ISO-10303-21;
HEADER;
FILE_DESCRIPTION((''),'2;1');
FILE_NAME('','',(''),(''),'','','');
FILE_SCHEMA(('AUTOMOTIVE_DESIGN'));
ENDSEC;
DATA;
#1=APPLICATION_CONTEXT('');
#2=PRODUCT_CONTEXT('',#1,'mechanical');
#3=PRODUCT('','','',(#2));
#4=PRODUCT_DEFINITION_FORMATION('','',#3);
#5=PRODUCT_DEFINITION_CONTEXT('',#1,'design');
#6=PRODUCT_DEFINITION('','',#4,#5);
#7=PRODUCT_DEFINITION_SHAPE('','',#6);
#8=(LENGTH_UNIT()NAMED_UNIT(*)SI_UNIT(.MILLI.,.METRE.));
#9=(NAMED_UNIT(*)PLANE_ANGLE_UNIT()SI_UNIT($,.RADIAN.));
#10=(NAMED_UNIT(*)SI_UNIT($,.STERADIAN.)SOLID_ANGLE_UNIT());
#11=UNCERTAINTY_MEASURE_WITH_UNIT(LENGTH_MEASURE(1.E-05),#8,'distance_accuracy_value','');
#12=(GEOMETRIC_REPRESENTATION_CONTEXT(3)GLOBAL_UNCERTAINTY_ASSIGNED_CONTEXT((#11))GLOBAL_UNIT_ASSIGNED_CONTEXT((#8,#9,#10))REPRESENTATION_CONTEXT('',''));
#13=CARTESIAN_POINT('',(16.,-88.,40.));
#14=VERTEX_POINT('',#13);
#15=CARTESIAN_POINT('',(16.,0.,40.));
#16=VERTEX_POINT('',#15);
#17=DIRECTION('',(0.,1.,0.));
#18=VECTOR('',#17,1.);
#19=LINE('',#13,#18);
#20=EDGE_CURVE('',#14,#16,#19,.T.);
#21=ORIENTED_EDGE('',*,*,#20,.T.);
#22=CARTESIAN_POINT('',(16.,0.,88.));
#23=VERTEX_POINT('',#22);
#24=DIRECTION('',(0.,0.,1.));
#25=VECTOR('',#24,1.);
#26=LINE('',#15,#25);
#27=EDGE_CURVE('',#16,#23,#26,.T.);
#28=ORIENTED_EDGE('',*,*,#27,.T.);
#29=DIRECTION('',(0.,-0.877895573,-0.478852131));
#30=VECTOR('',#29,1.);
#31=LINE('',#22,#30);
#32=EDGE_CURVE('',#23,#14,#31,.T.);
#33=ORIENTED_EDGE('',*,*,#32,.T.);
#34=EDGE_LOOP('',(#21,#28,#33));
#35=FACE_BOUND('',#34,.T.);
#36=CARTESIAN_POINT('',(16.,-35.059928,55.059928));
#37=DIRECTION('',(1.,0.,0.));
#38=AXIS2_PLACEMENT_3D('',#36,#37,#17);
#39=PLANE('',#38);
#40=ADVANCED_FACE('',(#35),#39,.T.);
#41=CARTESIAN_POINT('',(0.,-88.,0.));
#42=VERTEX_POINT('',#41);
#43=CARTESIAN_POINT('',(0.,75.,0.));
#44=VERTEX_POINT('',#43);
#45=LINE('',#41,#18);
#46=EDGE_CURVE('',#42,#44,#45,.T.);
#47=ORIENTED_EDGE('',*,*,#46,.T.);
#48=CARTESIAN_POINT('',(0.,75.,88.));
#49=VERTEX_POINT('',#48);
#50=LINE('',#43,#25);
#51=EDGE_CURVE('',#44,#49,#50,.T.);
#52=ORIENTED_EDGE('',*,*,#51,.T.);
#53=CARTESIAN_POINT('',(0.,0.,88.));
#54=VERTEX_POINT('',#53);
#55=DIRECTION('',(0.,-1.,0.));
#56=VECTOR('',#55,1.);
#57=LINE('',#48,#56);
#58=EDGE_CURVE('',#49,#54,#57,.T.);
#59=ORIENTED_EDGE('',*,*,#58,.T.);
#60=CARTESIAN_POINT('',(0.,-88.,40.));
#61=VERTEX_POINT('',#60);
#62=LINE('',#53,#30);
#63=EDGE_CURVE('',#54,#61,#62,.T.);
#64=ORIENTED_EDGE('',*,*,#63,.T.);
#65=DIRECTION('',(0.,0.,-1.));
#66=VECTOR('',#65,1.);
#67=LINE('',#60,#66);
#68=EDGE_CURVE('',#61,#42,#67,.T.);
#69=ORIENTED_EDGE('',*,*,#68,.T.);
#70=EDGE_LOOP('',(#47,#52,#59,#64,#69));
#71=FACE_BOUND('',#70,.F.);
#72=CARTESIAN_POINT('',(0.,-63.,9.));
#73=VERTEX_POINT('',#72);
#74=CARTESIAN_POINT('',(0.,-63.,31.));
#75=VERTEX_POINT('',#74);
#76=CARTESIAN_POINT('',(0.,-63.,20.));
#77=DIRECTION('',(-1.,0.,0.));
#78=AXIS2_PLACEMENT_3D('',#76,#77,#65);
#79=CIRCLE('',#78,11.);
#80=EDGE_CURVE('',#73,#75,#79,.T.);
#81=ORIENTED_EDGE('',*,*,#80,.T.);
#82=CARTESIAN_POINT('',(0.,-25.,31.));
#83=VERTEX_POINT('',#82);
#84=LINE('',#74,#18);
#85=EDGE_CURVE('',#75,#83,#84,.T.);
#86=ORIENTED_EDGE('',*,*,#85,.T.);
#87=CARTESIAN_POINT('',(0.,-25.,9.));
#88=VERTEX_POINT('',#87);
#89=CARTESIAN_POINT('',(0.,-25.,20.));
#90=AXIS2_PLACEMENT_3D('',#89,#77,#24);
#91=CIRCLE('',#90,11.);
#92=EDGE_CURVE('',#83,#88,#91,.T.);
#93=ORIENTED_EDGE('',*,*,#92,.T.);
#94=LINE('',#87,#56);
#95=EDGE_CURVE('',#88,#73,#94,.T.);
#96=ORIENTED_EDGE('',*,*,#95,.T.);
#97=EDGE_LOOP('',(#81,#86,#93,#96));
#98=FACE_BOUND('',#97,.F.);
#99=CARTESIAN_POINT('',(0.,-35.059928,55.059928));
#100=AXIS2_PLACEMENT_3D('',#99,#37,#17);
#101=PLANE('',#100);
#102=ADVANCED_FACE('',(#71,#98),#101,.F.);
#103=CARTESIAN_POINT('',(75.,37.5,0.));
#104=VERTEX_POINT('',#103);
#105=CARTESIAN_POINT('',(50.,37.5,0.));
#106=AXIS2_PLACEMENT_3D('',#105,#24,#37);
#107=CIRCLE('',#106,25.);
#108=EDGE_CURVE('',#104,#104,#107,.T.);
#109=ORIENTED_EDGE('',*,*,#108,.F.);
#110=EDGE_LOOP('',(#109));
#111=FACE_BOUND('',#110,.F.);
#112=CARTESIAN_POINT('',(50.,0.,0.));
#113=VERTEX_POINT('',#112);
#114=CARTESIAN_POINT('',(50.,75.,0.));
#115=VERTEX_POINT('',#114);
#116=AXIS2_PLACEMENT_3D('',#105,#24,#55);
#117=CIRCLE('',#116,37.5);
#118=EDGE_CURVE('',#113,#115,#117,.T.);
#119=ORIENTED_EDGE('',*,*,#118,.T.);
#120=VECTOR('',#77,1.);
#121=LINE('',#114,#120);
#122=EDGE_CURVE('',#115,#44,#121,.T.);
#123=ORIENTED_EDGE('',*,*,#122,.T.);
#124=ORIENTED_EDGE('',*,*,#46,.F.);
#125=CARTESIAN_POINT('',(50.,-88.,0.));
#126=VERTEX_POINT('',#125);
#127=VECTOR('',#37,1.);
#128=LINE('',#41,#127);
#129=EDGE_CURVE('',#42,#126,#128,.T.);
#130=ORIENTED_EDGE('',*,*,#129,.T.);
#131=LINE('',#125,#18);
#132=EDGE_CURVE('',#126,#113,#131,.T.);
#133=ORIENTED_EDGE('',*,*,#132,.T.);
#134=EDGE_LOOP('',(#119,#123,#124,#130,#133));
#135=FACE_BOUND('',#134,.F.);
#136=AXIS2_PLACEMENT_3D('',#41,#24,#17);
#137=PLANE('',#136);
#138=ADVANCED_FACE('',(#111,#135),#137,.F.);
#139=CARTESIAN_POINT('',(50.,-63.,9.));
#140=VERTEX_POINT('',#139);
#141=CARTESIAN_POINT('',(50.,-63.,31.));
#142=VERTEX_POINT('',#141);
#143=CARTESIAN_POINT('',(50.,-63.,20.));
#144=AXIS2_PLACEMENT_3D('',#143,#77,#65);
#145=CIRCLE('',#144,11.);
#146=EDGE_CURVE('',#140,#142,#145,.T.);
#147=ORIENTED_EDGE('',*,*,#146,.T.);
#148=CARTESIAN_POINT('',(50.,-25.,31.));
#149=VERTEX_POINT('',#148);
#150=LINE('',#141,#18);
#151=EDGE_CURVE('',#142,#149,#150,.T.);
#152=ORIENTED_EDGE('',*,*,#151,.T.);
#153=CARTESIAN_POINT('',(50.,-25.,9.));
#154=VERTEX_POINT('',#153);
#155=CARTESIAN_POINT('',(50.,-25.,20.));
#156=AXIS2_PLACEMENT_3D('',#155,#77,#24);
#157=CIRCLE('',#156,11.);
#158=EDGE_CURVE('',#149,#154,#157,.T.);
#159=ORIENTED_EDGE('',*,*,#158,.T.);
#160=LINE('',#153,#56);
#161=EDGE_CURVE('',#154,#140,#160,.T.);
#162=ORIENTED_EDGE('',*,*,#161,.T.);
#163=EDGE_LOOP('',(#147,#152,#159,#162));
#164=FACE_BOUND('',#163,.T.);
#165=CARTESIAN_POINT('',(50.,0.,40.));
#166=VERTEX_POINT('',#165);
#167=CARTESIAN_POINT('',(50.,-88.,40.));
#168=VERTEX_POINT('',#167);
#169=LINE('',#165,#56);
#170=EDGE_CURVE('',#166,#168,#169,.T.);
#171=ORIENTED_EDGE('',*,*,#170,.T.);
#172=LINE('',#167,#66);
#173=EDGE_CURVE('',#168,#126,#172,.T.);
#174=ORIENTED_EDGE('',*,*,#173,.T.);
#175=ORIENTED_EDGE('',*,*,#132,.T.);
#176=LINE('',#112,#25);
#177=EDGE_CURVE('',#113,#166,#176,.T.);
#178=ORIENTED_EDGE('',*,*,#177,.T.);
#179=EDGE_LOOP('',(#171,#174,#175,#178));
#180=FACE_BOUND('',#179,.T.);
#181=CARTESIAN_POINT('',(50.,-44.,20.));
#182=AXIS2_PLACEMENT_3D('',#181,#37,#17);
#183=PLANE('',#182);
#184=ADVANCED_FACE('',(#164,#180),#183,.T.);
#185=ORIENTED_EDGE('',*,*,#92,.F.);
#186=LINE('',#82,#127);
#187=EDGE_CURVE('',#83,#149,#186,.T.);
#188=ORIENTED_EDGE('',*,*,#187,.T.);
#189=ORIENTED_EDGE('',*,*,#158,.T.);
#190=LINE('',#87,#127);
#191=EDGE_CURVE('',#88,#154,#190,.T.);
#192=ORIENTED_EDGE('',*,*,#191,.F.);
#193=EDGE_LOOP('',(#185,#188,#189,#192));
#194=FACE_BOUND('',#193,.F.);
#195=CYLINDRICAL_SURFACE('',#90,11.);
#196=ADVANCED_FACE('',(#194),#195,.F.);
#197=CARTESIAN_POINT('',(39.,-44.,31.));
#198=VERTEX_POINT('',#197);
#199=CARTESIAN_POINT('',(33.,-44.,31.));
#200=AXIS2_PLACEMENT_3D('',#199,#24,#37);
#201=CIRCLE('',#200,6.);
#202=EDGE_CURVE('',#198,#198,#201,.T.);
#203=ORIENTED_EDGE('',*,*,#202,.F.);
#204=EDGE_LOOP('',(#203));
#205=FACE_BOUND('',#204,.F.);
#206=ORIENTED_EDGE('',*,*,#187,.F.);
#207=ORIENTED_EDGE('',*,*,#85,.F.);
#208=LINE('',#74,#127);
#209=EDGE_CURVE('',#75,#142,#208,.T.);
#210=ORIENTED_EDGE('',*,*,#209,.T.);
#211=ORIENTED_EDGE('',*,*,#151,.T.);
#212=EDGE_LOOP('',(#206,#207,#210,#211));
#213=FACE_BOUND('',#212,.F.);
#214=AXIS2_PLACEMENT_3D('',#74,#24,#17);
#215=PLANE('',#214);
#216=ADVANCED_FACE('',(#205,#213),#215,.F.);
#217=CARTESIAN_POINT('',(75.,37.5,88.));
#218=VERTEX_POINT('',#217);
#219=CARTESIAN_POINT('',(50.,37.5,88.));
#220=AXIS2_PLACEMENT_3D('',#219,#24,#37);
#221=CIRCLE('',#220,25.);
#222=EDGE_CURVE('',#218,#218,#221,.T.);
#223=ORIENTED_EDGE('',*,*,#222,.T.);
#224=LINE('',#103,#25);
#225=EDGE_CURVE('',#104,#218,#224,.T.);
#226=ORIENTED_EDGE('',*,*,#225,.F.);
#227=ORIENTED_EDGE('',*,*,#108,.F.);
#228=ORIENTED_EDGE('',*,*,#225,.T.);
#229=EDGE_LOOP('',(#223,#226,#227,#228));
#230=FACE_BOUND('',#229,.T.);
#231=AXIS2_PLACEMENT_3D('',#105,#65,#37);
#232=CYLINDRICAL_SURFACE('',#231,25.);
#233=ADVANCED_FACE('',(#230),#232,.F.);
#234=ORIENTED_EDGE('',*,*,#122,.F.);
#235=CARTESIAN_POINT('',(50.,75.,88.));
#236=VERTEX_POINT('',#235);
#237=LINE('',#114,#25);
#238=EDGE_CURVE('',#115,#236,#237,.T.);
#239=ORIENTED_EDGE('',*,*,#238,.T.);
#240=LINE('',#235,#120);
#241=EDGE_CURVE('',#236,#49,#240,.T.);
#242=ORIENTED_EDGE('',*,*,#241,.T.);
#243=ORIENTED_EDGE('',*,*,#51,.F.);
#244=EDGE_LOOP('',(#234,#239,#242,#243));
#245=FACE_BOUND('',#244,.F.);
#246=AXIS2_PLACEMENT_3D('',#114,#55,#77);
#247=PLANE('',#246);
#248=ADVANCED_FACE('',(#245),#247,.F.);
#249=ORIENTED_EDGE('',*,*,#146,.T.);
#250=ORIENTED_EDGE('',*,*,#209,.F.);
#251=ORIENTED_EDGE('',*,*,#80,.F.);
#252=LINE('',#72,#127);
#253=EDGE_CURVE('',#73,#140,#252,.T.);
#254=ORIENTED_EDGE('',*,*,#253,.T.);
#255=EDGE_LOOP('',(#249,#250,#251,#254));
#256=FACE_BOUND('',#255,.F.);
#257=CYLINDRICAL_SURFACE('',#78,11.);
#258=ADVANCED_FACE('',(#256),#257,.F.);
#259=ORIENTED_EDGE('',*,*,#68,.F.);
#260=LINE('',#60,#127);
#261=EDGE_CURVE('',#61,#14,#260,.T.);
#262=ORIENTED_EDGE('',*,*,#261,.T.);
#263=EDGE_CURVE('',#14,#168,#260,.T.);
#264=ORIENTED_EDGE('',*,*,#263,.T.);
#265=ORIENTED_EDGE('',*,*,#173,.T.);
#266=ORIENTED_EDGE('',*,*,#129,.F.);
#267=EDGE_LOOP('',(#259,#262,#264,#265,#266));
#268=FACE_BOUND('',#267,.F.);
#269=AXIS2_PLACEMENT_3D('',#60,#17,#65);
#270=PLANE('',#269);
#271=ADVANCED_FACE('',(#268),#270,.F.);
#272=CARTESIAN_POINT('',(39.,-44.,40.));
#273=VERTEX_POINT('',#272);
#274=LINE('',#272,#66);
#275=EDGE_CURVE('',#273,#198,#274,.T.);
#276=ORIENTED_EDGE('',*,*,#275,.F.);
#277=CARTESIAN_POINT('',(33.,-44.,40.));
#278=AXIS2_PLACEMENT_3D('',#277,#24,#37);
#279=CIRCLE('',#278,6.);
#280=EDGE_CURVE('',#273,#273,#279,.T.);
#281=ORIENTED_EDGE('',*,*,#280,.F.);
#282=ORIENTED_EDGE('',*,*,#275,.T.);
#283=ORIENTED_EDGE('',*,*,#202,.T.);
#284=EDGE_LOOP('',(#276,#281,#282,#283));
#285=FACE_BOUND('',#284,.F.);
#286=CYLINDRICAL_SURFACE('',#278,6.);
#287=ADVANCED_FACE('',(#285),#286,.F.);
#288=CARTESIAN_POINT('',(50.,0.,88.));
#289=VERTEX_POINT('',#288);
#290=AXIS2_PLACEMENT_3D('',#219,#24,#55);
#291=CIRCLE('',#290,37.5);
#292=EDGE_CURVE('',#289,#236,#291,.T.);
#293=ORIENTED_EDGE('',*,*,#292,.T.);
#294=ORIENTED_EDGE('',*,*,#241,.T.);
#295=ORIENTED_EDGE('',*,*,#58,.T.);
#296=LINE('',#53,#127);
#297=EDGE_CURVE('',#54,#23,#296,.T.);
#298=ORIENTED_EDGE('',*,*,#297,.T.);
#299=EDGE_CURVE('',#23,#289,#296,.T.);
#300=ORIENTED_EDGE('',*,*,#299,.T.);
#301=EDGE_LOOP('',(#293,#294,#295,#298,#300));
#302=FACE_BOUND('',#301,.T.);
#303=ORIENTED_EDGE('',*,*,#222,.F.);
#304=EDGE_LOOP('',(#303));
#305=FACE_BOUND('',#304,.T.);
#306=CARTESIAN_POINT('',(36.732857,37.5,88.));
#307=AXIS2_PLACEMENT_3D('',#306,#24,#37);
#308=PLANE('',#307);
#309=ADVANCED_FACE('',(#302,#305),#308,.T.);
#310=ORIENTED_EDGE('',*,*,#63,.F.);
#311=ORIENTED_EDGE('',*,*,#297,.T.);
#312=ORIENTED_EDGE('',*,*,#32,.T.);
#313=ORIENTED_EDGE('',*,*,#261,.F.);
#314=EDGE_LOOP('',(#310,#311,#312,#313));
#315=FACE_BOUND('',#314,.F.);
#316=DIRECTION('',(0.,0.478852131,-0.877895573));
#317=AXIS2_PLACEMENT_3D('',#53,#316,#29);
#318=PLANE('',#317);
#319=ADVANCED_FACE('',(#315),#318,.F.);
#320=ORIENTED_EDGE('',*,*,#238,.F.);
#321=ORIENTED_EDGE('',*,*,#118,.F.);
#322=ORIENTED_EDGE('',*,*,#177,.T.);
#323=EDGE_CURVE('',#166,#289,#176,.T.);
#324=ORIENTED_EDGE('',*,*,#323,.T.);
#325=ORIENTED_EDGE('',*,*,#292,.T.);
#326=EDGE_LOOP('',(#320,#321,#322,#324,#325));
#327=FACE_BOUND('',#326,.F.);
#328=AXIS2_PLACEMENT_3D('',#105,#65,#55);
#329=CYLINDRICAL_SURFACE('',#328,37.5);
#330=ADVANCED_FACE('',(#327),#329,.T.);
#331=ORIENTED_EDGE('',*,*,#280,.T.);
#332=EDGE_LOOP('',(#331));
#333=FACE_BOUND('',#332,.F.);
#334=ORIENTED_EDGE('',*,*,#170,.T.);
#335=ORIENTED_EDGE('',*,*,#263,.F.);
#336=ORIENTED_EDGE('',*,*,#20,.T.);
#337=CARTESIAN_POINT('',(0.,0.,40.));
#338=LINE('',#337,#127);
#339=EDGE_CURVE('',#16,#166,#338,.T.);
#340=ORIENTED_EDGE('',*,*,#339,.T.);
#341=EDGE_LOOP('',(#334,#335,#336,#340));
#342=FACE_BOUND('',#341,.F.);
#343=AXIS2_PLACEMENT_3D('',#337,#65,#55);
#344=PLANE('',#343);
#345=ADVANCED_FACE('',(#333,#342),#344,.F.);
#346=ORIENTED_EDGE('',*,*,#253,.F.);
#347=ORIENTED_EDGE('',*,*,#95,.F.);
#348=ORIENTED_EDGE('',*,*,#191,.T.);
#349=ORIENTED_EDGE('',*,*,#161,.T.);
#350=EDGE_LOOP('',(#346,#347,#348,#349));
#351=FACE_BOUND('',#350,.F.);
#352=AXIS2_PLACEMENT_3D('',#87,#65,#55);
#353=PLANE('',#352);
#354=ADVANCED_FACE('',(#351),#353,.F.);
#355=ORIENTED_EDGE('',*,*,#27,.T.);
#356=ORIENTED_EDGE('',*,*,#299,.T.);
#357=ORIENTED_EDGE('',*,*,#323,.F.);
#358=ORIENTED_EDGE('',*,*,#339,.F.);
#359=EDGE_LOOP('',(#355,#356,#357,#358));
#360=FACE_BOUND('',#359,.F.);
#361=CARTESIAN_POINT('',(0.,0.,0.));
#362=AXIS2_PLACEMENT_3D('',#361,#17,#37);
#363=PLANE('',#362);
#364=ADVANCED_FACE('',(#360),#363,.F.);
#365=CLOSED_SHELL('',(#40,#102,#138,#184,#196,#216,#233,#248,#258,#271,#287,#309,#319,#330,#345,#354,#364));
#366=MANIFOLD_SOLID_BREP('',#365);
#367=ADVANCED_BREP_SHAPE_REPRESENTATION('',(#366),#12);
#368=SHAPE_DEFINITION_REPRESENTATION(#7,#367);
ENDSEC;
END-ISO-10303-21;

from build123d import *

# Parameters (mm, degrees)
F0_R     = 25
F1_DEPTH = 88
F3_DEPTH = 50
F5_DEPTH = 16
F7_R     = 6
F8_DEPTH = 9


with BuildPart() as f1:
    # F0 (on Top) → F1 (new body)
    with BuildSketch(Plane.XY):
        with BuildLine():
            Line((0, 75), (0, 0))
            Line((0, 0), (50, 0))
            ThreePointArc((50, 0), (87.5, 37.5), (50, 75))
            Line((50, 75), (0, 75))
        make_face()
        with Locations((50, 37.5)):
            Circle(F0_R, mode=Mode.SUBTRACT)
    extrude(amount=F1_DEPTH)

    # F2 (on Right) → F3 (join)
    with BuildSketch(Plane.YZ):
        Polygon((-25, 0), (0, 0), (0, 40), (-88, 40), (-88, 0), align=None)
        with BuildLine():
            ThreePointArc((-25, 31), (-14, 20), (-25, 9))
            Line((-25, 9), (-63, 9))
            ThreePointArc((-63, 9), (-74, 20), (-63, 31))
            Line((-63, 31), (-25, 31))
        make_face(mode=Mode.SUBTRACT)
    extrude(amount=F3_DEPTH)

    # F4 (on Right) → F5 (join)
    with BuildSketch(Plane.YZ):
        Polygon((-88, 40), (0, 40), (0, 88), align=None)
    extrude(amount=F5_DEPTH)

    # F7 (on face) → F8 (cut, through all)
    with BuildSketch(Plane.XY.offset(40)):
        with Locations((33, -44)):
            Circle(F7_R)
    extrude(amount=-F8_DEPTH, mode=Mode.SUBTRACT)


solid = f1.part
